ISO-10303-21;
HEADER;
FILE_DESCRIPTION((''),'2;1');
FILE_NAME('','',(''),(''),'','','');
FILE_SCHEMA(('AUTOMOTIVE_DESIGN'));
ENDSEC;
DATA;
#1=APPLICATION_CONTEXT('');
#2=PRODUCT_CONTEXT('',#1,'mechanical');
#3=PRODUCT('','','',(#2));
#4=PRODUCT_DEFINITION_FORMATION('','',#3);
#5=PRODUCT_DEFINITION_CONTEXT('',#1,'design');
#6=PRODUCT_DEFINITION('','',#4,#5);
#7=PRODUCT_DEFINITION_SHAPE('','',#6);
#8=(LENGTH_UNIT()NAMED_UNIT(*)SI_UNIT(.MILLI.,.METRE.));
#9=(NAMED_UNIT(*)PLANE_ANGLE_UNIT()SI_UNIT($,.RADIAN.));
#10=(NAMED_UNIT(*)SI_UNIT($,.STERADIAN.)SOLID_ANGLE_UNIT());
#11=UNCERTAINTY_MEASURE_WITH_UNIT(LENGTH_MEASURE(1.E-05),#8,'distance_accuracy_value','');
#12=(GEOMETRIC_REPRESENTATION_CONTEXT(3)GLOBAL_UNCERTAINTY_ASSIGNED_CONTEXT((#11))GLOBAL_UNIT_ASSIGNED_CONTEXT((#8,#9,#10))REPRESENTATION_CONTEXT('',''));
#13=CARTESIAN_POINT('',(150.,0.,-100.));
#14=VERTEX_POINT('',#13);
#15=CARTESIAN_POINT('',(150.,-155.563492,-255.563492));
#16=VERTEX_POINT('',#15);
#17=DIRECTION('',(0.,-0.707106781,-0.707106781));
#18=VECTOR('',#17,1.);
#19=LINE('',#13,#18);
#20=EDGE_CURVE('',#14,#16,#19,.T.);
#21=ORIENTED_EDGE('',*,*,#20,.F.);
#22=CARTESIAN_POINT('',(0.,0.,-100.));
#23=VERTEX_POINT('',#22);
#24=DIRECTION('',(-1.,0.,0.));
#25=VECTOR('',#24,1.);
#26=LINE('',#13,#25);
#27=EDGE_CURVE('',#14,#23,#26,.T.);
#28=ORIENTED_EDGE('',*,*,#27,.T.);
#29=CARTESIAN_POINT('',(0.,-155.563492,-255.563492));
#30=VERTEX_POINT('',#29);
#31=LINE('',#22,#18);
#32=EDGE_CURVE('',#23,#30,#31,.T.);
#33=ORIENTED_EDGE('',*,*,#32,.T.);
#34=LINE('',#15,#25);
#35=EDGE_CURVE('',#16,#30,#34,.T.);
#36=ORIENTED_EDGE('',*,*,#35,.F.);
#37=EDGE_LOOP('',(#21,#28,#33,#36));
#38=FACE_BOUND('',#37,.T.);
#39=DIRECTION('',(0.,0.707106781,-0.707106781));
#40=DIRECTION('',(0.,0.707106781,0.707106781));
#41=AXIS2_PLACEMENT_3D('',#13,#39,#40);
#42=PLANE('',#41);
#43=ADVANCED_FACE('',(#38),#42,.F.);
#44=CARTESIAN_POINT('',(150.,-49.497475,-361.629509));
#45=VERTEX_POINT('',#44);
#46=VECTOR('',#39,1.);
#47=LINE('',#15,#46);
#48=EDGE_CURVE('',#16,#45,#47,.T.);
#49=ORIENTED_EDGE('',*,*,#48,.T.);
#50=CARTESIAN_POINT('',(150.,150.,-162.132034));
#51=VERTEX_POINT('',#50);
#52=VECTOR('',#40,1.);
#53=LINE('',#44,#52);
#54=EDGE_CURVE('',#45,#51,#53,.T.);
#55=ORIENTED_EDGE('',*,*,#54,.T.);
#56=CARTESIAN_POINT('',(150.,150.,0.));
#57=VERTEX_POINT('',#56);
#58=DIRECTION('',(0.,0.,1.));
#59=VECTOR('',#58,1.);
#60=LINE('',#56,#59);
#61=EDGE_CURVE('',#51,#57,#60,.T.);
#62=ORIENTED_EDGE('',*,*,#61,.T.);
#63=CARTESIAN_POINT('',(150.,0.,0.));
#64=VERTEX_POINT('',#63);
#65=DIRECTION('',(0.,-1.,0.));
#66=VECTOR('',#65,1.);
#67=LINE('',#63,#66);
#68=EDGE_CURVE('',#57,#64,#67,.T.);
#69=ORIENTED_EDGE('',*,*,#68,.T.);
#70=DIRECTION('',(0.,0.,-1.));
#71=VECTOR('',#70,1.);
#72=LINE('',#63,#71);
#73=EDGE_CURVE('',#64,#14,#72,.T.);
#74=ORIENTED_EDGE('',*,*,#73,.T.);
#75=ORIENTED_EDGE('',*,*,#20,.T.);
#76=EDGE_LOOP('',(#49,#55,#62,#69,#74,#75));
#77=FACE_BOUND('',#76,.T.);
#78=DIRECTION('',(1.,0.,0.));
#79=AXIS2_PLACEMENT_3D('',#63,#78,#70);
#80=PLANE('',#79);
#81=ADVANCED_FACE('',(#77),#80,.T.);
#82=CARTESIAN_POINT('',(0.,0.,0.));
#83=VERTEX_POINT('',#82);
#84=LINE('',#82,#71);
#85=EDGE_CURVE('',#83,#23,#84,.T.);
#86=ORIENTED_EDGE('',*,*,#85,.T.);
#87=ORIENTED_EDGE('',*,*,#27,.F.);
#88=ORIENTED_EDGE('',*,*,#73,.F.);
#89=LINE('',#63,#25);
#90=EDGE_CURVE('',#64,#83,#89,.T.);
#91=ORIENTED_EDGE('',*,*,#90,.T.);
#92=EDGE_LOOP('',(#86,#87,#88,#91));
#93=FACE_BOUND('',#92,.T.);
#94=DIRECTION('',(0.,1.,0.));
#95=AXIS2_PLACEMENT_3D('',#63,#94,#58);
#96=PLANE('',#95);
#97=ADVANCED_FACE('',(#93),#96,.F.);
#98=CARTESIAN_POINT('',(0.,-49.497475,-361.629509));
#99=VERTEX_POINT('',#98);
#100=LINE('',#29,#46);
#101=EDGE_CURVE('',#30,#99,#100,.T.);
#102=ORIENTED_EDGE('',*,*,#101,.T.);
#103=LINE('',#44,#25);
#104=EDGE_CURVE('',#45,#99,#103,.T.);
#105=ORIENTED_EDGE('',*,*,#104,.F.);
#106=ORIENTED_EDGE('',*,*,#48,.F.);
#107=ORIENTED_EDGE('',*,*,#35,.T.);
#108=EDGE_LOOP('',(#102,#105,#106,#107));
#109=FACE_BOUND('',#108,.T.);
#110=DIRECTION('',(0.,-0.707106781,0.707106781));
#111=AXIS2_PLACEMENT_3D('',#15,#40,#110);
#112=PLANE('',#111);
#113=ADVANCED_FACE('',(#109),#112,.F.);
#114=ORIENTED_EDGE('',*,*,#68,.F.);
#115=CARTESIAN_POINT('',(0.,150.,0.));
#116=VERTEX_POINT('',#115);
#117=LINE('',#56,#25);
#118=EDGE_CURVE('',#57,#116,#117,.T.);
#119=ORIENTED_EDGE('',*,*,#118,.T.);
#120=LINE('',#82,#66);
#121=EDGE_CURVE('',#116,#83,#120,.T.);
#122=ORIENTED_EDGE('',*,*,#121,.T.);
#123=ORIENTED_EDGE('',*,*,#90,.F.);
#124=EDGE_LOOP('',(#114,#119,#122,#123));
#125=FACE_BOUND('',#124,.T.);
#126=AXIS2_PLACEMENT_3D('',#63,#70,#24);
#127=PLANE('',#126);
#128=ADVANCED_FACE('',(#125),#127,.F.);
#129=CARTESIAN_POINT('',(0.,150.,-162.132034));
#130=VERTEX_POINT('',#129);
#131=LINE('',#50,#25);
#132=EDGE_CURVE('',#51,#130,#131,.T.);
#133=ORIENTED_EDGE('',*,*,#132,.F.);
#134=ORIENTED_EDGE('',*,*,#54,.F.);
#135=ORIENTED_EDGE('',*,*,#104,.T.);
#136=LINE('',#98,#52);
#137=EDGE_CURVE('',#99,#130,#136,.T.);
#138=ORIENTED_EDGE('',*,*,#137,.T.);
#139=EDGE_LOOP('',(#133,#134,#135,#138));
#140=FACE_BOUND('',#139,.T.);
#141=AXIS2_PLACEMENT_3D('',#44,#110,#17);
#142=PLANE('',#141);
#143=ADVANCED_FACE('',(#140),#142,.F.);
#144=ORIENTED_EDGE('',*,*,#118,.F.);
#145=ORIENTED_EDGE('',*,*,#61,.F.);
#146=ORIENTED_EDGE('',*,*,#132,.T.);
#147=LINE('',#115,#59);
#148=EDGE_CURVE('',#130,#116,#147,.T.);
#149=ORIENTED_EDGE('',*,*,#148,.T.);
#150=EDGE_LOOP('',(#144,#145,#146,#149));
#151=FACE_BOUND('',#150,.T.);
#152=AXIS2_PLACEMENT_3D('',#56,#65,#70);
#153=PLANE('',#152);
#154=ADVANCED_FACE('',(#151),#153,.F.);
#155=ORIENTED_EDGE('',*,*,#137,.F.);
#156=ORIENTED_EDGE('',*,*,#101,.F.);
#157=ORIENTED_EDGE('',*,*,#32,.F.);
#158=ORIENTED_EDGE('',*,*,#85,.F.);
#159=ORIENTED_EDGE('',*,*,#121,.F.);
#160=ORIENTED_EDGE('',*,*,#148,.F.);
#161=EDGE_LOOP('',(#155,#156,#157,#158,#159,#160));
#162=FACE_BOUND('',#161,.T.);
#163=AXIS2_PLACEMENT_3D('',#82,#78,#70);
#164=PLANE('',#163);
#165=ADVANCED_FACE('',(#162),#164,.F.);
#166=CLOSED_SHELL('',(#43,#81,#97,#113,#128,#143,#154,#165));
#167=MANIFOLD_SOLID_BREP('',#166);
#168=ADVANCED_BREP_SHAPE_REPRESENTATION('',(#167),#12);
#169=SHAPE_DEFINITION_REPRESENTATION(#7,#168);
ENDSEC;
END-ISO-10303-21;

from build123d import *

# Parameters (mm, degrees)
BOSS_EXTRUDE1_DEPTH = 150


with BuildPart() as part:
    # Sketch2 → Boss-Extrude1 (new body)
    with BuildSketch(Plane(origin=(0, 0, 0), x_dir=(0, 0, -1), z_dir=(1, 0, 0))):
        Polygon((0, 0), (0, 150), (162.132034356, 150), (361.629509039, -49.497474683), (255.563491861, -155.563491861), (100, 0), align=None)
    extrude(amount=BOSS_EXTRUDE1_DEPTH)


solid = part.part
